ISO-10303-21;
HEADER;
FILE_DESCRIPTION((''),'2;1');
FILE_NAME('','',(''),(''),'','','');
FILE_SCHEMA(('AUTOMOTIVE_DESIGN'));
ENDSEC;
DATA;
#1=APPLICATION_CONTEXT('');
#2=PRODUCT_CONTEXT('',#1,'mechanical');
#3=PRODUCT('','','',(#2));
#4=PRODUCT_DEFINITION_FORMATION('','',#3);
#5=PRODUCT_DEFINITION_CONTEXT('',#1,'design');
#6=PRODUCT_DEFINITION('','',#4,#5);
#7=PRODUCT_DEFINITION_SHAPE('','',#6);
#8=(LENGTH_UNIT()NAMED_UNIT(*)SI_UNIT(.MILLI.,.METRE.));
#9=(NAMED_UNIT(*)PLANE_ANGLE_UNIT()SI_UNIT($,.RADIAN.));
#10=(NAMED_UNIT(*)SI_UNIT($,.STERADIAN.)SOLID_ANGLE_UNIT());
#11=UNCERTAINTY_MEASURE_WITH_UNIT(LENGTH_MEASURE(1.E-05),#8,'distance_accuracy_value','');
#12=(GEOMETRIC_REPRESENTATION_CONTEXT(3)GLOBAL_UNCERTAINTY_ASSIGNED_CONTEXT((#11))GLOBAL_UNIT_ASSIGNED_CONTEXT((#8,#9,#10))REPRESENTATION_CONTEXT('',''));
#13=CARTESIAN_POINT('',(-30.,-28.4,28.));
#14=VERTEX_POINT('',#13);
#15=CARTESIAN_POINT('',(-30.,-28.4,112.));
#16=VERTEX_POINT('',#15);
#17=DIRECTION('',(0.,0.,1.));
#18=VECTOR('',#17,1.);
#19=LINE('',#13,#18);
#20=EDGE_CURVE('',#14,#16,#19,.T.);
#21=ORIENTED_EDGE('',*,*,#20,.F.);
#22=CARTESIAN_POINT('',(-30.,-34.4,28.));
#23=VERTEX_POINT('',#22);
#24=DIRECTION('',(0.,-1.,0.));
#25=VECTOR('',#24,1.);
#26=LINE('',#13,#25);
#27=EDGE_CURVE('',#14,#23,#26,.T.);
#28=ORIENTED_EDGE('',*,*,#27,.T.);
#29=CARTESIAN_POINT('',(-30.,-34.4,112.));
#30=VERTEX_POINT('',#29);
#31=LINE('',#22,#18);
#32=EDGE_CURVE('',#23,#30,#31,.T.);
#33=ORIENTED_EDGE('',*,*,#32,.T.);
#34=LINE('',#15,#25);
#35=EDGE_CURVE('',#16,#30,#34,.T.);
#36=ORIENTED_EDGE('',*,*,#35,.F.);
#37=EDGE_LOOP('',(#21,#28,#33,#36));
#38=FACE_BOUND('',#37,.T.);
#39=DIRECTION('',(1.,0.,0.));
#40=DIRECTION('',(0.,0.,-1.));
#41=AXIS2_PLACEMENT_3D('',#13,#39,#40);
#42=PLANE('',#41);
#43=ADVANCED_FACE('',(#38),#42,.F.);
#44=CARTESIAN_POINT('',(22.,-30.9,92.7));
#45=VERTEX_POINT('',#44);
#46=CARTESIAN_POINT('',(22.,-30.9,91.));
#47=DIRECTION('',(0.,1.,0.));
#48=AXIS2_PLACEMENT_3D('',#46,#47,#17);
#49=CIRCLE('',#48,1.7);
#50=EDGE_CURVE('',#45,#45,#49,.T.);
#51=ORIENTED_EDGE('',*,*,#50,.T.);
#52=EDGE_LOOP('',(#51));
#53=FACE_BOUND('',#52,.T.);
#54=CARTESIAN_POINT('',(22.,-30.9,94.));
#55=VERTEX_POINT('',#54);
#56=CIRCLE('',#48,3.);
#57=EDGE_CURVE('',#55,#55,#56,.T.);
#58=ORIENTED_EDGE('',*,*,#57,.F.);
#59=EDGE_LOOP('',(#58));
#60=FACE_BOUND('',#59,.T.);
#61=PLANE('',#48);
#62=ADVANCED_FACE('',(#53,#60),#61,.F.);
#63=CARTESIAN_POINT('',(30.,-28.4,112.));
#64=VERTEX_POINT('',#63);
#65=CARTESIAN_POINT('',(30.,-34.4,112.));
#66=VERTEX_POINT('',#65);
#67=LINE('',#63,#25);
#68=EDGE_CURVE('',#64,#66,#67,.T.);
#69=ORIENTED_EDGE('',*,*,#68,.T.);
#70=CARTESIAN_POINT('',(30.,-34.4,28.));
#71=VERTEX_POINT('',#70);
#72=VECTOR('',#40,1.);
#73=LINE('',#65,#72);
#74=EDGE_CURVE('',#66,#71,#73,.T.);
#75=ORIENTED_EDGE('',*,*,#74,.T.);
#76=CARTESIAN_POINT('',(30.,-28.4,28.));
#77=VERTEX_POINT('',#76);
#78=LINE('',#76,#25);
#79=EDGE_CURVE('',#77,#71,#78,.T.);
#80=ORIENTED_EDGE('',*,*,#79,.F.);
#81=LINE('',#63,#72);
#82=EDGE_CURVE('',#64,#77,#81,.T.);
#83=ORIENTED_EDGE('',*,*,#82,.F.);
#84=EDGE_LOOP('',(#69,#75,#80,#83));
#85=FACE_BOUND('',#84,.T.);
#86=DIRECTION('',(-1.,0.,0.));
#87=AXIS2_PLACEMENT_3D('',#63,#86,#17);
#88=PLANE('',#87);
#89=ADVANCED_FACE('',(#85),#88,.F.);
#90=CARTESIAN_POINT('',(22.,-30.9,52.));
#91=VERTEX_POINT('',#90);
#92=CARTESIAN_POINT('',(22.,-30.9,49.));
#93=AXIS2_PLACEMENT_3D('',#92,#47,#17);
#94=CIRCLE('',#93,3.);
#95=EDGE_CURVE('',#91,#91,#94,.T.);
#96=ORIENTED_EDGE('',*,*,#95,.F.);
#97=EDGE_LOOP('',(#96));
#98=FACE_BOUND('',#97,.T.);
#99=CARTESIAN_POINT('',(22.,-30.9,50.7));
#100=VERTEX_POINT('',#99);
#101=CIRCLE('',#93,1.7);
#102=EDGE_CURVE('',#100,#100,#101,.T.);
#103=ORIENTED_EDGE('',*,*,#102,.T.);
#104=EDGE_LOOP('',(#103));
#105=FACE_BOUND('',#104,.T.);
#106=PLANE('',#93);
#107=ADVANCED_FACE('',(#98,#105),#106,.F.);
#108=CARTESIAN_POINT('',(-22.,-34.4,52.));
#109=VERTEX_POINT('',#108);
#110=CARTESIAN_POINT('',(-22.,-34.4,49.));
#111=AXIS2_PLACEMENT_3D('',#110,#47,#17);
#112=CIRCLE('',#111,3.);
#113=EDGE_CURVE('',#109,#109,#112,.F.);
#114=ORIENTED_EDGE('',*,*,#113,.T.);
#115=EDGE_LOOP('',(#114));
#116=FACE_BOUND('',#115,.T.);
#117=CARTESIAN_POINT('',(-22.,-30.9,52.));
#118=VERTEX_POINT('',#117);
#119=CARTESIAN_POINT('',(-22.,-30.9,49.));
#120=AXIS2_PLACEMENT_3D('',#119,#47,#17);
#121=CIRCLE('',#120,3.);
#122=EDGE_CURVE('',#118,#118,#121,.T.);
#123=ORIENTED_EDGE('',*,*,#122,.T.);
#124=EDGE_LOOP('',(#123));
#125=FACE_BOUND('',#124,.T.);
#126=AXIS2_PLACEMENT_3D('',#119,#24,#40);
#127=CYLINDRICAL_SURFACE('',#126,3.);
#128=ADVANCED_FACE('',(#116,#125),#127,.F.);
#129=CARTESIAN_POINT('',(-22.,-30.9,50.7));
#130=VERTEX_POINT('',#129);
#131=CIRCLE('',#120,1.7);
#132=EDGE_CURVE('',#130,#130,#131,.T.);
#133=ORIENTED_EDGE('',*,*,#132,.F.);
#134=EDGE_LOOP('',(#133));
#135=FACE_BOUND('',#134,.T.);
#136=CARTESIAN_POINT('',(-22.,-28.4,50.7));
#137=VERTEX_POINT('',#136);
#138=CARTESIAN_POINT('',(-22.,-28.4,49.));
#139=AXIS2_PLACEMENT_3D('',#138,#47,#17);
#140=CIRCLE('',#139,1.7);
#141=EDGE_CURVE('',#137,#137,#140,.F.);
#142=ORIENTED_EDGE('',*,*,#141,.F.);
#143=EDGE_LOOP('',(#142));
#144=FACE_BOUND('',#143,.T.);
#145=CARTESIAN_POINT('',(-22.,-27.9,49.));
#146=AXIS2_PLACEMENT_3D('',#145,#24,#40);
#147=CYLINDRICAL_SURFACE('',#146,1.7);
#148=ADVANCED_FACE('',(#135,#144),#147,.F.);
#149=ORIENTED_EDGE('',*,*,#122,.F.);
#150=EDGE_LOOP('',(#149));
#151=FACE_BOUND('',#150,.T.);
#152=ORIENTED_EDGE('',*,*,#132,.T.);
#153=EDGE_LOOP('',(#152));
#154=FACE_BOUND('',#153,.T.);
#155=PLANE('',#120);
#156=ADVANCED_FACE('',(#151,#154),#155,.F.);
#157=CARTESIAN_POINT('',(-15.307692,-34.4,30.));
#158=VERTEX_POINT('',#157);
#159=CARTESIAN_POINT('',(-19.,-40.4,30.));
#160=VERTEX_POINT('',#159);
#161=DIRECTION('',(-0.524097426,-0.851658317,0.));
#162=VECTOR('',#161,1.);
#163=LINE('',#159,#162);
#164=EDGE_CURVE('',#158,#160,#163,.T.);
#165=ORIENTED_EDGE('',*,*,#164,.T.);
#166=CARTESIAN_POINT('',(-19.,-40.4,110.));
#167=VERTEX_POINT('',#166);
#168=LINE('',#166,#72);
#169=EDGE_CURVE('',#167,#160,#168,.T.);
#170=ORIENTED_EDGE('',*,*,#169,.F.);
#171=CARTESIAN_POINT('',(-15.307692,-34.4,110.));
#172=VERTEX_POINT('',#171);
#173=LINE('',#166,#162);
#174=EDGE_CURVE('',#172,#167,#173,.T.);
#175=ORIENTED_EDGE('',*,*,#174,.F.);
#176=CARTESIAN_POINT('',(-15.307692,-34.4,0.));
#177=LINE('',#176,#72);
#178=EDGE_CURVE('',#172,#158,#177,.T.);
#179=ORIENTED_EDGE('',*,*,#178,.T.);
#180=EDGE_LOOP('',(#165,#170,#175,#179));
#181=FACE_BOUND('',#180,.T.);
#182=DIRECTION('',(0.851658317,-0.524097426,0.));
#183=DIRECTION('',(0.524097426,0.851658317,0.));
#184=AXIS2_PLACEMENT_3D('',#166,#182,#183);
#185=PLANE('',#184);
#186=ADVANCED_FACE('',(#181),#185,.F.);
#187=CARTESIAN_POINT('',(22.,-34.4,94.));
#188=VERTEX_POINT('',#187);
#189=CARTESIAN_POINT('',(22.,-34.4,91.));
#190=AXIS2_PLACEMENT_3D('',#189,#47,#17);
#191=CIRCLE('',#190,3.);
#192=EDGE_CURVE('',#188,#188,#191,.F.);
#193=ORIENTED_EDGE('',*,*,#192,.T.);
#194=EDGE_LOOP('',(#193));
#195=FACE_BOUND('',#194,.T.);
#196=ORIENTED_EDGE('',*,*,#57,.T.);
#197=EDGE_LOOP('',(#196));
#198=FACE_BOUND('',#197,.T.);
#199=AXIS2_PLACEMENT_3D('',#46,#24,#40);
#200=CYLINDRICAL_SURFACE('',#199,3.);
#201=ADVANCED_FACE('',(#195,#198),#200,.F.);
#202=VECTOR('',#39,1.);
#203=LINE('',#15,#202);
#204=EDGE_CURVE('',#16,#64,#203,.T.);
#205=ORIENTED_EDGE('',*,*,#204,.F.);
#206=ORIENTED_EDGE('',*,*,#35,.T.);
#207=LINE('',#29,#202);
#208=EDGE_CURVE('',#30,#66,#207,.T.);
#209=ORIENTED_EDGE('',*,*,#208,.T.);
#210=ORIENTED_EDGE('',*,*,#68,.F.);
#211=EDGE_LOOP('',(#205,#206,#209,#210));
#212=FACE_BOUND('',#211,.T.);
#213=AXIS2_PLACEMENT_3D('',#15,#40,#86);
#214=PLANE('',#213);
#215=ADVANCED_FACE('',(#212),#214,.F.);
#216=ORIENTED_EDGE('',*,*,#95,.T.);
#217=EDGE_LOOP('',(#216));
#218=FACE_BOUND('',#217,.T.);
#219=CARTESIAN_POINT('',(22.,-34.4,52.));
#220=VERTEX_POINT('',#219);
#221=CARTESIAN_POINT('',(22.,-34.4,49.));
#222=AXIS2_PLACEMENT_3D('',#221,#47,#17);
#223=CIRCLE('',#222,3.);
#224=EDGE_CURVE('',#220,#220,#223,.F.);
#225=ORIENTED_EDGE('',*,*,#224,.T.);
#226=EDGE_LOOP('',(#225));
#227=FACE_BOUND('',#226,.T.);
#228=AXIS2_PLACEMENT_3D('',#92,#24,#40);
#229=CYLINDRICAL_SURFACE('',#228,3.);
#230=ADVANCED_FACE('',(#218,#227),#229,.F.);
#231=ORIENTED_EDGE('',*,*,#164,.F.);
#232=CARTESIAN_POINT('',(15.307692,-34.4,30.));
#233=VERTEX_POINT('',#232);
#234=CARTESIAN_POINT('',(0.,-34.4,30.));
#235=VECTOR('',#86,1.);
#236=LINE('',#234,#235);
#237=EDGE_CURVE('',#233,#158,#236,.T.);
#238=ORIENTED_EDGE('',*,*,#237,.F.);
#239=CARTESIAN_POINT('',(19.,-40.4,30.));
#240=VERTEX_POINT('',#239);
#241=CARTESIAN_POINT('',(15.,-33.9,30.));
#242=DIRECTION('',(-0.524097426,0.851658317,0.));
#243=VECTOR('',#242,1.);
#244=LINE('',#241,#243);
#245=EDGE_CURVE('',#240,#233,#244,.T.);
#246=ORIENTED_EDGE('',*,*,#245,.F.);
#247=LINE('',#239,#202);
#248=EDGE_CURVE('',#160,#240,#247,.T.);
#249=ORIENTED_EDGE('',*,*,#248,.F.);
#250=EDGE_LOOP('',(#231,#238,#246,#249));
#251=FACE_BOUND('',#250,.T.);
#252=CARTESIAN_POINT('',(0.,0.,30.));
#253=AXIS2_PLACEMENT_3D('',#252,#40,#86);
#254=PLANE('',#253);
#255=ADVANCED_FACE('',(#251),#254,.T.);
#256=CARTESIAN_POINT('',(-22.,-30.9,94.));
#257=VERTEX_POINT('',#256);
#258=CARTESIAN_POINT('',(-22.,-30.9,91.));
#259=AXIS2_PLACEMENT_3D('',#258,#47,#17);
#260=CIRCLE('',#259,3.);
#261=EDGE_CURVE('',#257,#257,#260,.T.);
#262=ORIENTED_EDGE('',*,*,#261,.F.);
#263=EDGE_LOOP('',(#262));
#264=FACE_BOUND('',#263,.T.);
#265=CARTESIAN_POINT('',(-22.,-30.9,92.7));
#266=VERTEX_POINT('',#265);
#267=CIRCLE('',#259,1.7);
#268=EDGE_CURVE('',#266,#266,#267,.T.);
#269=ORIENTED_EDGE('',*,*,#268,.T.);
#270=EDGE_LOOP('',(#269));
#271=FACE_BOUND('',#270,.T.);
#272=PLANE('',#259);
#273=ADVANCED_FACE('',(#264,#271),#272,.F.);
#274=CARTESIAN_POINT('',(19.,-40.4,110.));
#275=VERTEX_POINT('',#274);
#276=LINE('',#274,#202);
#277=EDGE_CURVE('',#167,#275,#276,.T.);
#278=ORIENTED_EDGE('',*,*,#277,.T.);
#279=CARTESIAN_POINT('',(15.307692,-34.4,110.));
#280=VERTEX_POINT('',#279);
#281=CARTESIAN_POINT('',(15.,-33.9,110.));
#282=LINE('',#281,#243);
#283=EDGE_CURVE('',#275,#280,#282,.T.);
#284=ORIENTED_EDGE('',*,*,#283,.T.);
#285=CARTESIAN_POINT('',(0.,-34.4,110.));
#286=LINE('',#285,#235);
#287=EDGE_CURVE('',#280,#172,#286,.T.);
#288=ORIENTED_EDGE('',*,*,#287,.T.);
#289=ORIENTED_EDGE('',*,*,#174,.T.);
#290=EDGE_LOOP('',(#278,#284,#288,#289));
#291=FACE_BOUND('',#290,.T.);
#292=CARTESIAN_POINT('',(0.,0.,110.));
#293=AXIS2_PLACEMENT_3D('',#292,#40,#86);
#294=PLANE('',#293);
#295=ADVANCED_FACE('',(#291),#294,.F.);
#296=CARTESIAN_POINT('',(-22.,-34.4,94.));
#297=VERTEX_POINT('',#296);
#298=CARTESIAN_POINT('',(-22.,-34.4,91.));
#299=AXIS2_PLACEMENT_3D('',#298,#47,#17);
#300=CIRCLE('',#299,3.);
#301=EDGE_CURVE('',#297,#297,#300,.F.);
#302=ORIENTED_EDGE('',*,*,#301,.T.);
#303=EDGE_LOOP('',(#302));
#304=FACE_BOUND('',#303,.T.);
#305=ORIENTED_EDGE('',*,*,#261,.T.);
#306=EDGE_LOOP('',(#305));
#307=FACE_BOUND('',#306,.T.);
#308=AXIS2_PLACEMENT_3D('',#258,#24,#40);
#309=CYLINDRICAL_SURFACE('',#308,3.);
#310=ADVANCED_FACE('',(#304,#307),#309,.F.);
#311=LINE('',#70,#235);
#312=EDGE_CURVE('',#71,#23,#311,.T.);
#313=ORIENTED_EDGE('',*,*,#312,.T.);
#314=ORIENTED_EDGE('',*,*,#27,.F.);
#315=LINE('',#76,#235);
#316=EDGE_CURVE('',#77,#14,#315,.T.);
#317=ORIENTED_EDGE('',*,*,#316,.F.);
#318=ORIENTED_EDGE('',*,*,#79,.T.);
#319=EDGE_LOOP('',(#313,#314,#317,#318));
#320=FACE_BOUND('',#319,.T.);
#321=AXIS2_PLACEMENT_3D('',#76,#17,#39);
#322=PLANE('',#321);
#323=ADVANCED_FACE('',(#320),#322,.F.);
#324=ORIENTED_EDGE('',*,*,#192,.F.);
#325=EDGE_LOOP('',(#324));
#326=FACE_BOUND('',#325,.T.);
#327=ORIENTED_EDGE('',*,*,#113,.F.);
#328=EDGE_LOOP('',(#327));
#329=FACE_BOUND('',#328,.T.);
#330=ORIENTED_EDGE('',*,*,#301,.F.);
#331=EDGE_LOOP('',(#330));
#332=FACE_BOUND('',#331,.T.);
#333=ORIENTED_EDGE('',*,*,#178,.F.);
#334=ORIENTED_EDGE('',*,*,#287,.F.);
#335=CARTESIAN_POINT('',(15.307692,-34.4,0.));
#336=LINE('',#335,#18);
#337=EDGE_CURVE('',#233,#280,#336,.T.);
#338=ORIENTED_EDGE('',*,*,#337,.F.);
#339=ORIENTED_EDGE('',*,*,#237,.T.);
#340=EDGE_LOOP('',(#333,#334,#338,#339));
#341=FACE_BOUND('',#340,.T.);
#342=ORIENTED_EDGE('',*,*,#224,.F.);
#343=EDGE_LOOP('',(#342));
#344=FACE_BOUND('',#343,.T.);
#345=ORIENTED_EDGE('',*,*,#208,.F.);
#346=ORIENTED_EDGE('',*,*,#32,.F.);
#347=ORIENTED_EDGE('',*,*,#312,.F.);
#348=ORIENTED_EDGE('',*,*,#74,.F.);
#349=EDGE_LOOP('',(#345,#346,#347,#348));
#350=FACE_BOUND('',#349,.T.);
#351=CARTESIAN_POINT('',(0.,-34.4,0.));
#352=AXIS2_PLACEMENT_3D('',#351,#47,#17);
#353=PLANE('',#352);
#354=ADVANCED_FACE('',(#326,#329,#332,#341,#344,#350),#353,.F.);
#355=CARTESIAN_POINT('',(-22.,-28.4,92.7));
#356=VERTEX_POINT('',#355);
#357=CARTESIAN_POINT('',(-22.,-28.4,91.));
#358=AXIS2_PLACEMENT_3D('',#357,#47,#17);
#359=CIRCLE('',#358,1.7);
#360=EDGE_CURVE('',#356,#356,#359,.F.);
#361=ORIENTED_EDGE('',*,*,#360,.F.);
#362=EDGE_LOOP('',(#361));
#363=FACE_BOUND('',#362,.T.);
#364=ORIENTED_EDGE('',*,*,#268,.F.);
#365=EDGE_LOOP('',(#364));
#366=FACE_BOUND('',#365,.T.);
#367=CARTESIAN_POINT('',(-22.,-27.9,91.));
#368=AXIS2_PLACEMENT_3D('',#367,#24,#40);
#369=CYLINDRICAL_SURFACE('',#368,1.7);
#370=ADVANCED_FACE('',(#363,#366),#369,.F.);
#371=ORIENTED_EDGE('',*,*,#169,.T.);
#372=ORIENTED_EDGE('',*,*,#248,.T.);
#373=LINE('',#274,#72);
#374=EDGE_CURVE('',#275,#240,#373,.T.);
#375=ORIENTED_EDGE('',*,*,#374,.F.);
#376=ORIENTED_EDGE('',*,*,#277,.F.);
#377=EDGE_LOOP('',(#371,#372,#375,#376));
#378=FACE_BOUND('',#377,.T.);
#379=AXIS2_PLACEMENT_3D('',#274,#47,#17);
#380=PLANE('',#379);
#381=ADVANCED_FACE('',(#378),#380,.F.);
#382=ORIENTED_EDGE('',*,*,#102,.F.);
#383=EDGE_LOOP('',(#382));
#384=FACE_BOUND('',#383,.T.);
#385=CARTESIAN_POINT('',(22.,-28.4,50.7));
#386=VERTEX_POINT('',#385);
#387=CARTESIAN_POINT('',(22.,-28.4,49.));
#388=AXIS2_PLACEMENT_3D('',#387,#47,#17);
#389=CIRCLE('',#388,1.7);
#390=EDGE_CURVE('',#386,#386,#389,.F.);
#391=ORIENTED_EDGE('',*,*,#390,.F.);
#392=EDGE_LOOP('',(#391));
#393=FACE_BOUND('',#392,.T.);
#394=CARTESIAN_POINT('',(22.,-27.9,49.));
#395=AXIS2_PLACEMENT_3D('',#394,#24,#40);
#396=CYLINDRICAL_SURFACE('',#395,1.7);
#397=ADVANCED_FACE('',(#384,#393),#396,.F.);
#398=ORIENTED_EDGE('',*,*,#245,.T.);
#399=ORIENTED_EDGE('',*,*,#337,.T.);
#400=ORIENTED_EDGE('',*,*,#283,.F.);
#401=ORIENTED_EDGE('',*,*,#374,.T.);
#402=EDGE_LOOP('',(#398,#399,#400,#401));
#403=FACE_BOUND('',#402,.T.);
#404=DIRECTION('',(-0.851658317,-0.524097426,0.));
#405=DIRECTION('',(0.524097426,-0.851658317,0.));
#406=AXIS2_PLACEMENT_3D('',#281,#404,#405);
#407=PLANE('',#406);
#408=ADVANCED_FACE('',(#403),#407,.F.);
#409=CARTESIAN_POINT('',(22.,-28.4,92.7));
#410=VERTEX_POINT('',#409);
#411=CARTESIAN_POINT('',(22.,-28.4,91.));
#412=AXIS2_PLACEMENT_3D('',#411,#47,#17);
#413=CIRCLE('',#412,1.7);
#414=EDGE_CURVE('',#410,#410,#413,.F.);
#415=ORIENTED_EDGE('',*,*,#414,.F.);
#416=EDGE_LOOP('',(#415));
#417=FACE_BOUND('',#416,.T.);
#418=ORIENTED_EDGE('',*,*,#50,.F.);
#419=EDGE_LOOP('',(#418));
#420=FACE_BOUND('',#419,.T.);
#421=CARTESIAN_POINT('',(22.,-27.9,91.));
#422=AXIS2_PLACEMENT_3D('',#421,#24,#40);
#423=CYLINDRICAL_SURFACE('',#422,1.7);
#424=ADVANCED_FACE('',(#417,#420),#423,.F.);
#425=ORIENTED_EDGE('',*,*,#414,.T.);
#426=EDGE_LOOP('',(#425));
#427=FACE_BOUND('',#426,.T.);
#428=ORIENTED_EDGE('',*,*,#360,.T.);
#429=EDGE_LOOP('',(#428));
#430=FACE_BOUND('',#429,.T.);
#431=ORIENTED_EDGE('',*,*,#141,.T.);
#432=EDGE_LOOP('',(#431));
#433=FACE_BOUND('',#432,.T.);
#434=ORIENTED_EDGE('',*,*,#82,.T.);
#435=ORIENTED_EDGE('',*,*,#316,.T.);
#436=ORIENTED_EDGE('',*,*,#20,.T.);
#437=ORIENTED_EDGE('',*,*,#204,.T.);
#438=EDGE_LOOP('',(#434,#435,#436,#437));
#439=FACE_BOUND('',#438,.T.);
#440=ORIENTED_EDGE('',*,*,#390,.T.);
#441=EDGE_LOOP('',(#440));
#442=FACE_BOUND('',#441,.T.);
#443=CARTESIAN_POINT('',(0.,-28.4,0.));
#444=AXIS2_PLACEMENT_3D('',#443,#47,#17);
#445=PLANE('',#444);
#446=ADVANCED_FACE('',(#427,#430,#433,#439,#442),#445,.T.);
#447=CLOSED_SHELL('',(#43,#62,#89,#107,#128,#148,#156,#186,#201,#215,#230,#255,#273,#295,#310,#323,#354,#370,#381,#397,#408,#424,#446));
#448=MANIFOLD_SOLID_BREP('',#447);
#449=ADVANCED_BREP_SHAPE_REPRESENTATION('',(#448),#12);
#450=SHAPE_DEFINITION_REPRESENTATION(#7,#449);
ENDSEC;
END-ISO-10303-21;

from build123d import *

# Parameters (mm, degrees)
SKETCH1_W           = 60
SKETCH1_H           = 84
RAIL_PLATE_DEPTH    = 6
DOVETAIL_RAIL_DEPTH = 80
SKETCH3_R           = 1.7
M3_HOLES_DEPTH      = 7
SKETCH4_R           = 3
COUNTERBORES_DEPTH  = 4


with BuildPart() as part:
    # Sketch1 → Rail Plate (new body)
    with BuildSketch(Plane(origin=(0, -34.4, 0), x_dir=(1, 0, 0), z_dir=(0, 1, 0))):
        with Locations((0, -70)):
            Rectangle(SKETCH1_W, SKETCH1_H)
    extrude(amount=RAIL_PLATE_DEPTH)

    # Sketch2 → Dovetail Rail (add)
    with BuildSketch(Plane.XY.offset(30)):
        Polygon((-15, -33.9), (15, -33.9), (19, -40.4), (-19, -40.4), align=None)
    extrude(amount=DOVETAIL_RAIL_DEPTH)

    # Sketch3 → M3 Holes (cut)
    with BuildSketch(Plane(origin=(0, -34.9, 0), x_dir=(1, 0, 0), z_dir=(0, 1, 0))):
        with Locations(Location((-22, -91, 0), (0, 0, 270))):
            Circle(SKETCH3_R)
        with Locations(Location((-22, -49, 0), (0, 0, 270))):
            Circle(SKETCH3_R)
        with Locations(Location((22, -91, 0), (0, 0, 270))):
            Circle(SKETCH3_R)
        with Locations(Location((22, -49, 0), (0, 0, 270))):
            Circle(SKETCH3_R)
    extrude(amount=M3_HOLES_DEPTH, mode=Mode.SUBTRACT)

    # Sketch4 → Counterbores (cut)
    with BuildSketch(Plane(origin=(0, -34.9, 0), x_dir=(1, 0, 0), z_dir=(0, 1, 0))):
        with Locations(Location((-22, -91, 0), (0, 0, 270))):
            Circle(SKETCH4_R)
        with Locations(Location((-22, -49, 0), (0, 0, 270))):
            Circle(SKETCH4_R)
        with Locations(Location((22, -91, 0), (0, 0, 270))):
            Circle(SKETCH4_R)
        with Locations(Location((22, -49, 0), (0, 0, 270))):
            Circle(SKETCH4_R)
    extrude(amount=COUNTERBORES_DEPTH, mode=Mode.SUBTRACT)


solid = part.part
